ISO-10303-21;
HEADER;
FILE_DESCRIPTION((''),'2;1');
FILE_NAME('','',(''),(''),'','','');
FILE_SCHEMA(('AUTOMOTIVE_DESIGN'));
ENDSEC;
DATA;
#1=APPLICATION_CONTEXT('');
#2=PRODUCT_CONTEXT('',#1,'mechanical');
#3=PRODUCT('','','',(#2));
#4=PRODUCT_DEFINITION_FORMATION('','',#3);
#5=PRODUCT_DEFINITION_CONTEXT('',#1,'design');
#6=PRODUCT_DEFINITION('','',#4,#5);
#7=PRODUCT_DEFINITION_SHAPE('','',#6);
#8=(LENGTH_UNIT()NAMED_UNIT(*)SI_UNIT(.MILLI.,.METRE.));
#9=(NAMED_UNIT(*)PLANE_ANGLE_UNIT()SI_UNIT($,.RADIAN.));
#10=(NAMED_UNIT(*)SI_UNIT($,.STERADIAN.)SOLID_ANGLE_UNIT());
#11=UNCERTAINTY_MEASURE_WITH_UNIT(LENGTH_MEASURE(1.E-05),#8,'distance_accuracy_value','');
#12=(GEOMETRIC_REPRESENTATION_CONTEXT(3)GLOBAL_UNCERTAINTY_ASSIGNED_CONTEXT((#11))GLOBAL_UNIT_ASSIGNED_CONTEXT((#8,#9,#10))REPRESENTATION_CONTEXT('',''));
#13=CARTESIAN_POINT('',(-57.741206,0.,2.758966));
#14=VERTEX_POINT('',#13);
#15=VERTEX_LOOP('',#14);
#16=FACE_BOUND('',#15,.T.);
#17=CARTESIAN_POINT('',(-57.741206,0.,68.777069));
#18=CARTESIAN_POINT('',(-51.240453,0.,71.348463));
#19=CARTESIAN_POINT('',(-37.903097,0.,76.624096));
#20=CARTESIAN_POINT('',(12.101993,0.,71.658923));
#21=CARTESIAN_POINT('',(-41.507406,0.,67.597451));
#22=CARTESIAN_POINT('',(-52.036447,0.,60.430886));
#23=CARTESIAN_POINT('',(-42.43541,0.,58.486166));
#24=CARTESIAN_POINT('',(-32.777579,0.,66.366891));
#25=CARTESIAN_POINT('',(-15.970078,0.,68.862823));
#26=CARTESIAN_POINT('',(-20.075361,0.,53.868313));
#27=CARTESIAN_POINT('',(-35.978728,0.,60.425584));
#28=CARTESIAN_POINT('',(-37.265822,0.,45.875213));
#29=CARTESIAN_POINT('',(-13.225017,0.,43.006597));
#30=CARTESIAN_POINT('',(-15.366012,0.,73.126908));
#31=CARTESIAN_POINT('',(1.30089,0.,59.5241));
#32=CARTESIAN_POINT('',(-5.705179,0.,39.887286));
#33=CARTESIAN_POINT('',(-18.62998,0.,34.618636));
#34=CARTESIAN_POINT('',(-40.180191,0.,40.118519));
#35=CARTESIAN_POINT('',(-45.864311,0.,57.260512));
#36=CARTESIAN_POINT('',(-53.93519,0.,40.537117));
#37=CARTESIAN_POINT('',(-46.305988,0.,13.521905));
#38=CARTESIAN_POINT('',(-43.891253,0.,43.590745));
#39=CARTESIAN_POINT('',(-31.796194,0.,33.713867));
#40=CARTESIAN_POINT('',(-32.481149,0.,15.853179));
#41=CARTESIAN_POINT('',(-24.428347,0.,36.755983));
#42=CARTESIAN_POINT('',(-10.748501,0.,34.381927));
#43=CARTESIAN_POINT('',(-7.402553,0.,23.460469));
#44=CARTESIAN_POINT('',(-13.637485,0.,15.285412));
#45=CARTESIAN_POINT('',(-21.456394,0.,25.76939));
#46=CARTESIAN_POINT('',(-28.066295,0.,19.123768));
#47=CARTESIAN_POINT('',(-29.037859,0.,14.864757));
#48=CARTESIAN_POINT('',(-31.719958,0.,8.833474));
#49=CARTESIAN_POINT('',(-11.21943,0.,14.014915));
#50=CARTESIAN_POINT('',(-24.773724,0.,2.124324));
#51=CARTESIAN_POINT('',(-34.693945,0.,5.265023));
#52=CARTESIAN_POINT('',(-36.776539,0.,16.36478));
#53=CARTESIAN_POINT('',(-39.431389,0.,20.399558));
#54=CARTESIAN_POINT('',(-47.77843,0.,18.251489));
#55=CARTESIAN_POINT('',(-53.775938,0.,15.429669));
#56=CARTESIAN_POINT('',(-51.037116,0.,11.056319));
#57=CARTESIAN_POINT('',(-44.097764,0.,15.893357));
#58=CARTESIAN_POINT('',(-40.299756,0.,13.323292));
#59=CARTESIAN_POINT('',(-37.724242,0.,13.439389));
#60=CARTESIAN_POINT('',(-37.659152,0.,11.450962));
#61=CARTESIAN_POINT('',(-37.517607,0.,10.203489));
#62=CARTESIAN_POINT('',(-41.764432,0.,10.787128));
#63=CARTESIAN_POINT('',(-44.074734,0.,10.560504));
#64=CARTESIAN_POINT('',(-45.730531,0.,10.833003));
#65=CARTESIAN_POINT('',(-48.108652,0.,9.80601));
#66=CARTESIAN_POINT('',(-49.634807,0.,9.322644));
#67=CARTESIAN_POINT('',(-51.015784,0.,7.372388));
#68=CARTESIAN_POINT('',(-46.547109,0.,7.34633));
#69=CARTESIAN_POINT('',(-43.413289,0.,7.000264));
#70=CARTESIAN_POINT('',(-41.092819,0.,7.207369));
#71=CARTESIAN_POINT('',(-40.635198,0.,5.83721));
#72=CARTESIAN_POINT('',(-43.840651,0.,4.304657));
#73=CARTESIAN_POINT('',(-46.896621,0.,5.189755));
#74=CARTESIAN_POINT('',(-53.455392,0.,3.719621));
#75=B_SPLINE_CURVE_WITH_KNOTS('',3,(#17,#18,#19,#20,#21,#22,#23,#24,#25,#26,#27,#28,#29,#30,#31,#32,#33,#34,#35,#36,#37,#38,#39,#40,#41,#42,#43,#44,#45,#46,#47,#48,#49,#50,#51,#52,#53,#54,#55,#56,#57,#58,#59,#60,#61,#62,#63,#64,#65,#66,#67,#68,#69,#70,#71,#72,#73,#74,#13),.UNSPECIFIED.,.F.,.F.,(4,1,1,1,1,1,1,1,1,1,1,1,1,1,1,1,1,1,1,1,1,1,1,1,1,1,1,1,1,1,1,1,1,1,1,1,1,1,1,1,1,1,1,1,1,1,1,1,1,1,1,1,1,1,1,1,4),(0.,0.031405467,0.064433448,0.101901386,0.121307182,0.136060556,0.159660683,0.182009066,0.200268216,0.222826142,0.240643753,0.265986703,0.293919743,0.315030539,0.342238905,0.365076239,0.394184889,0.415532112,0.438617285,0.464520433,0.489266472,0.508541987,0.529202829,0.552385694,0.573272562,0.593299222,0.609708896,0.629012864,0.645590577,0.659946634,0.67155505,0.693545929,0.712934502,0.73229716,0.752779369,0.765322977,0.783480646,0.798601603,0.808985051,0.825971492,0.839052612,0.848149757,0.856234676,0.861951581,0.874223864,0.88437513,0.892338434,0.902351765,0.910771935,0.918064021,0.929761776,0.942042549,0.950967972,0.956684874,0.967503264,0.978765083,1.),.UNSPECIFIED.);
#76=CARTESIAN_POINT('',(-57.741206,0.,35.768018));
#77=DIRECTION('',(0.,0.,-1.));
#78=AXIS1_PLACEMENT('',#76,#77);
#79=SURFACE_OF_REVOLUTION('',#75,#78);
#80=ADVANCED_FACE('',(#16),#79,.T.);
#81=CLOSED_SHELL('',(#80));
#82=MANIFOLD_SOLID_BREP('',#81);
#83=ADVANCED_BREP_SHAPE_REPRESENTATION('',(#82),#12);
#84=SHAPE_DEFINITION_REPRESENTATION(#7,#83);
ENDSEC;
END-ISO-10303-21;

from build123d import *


with BuildPart() as f1:
    # F0 (on Front) → F1 (revolve)
    with BuildSketch(Plane.XZ):
        with BuildLine():
            add(Edge.make_bspline(
                [(-57.7412061393, 68.7770694494), (-51.240453287, 71.3484626505), (-37.9030967427, 76.6240959067), (12.1019927355, 71.6589232893), (-41.5074064347, 67.5974508399), (-52.0364472516, 60.4308856929), (-42.4354100409, 58.4861656123), (-32.777578984, 66.3668910391), (-15.9700779627, 68.8628227578), (-20.0753613381, 53.8683131071), (-35.9787284346, 60.425584354), (-37.2658215487, 45.8752134415), (-13.2250169449, 43.0065967134), (-15.3660122035, 73.1269081651), (1.3008895268, 59.5240996333), (-5.7051787966, 39.8872859292), (-18.6299800793, 34.6186362978), (-40.1801910019, 40.1185185973), (-45.8643109084, 57.2605122768), (-53.9351900116, 40.5371171247), (-46.3059881669, 13.5219053184), (-43.8912530989, 43.5907454863), (-31.7961940126, 33.71386735), (-32.4811488131, 15.8531785061), (-24.4283468238, 36.755983101), (-10.7485005484, 34.3819272672), (-7.4025527063, 23.4604690167), (-13.6374850566, 15.2854118265), (-21.4563936554, 25.7693904709), (-28.0662951719, 19.1237677774), (-29.0378591942, 14.8647565346), (-31.7199584427, 8.8334739065), (-11.2194296832, 14.0149153095), (-24.773724341, 2.1243241626), (-34.6939447532, 5.2650225559), (-36.7765393905, 16.364779646), (-39.4313887758, 20.3995583769), (-47.7784304469, 18.251488822), (-53.7759380676, 15.4296691528), (-51.0371161878, 11.056318553), (-44.0977641021, 15.8933568461), (-40.2997557599, 13.3232921022), (-37.7242417447, 13.4393893508), (-37.6591517546, 11.4509623167), (-37.5176070151, 10.203488755), (-41.7644315855, 10.7871279657), (-44.0747344796, 10.5605044236), (-45.7305307074, 10.8330033216), (-48.1086515245, 9.8060100893), (-49.6348067812, 9.3226440695), (-51.0157835867, 7.3723880924), (-46.5471085836, 7.3463300049), (-43.4132893394, 7.0002643882), (-41.0928194758, 7.2073685406), (-40.6351981852, 5.8372104509), (-43.8406511923, 4.3046570009), (-46.8966214785, 5.189755361), (-53.4553924211, 3.7196213), (-57.7412061393, 2.7589655947)],
                knots=[0, 0, 0, 0, 0.0314054675, 0.0644334475, 0.1019013858, 0.1213071823, 0.1360605556, 0.1596606833, 0.1820090659, 0.2002682156, 0.2228261419, 0.2406437533, 0.2659867031, 0.2939197435, 0.3150305391, 0.342238905, 0.3650762393, 0.3941848886, 0.4155321123, 0.4386172853, 0.4645204334, 0.4892664721, 0.5085419873, 0.5292028295, 0.5523856943, 0.5732725619, 0.5932992223, 0.6097088964, 0.6290128643, 0.6455905772, 0.6599466343, 0.6715550495, 0.6935459292, 0.7129345023, 0.7322971599, 0.7527793686, 0.765322977, 0.7834806458, 0.7986016029, 0.8089850507, 0.8259714924, 0.8390526121, 0.8481497568, 0.8562346763, 0.8619515809, 0.8742238639, 0.8843751298, 0.8923384337, 0.9023517652, 0.9107719348, 0.9180640205, 0.9297617758, 0.9420425488, 0.9509679723, 0.9566848738, 0.9675032641, 0.978765083, 1, 1, 1, 1], degree=3))
            Line((-57.7412061393, 68.7770694494), (-57.7412061393, 2.7589655947))
        make_face()
    revolve(axis=Axis((-57.7412061393, 0, 35.7680175221), (0, 0, -1)))


solid = f1.part
